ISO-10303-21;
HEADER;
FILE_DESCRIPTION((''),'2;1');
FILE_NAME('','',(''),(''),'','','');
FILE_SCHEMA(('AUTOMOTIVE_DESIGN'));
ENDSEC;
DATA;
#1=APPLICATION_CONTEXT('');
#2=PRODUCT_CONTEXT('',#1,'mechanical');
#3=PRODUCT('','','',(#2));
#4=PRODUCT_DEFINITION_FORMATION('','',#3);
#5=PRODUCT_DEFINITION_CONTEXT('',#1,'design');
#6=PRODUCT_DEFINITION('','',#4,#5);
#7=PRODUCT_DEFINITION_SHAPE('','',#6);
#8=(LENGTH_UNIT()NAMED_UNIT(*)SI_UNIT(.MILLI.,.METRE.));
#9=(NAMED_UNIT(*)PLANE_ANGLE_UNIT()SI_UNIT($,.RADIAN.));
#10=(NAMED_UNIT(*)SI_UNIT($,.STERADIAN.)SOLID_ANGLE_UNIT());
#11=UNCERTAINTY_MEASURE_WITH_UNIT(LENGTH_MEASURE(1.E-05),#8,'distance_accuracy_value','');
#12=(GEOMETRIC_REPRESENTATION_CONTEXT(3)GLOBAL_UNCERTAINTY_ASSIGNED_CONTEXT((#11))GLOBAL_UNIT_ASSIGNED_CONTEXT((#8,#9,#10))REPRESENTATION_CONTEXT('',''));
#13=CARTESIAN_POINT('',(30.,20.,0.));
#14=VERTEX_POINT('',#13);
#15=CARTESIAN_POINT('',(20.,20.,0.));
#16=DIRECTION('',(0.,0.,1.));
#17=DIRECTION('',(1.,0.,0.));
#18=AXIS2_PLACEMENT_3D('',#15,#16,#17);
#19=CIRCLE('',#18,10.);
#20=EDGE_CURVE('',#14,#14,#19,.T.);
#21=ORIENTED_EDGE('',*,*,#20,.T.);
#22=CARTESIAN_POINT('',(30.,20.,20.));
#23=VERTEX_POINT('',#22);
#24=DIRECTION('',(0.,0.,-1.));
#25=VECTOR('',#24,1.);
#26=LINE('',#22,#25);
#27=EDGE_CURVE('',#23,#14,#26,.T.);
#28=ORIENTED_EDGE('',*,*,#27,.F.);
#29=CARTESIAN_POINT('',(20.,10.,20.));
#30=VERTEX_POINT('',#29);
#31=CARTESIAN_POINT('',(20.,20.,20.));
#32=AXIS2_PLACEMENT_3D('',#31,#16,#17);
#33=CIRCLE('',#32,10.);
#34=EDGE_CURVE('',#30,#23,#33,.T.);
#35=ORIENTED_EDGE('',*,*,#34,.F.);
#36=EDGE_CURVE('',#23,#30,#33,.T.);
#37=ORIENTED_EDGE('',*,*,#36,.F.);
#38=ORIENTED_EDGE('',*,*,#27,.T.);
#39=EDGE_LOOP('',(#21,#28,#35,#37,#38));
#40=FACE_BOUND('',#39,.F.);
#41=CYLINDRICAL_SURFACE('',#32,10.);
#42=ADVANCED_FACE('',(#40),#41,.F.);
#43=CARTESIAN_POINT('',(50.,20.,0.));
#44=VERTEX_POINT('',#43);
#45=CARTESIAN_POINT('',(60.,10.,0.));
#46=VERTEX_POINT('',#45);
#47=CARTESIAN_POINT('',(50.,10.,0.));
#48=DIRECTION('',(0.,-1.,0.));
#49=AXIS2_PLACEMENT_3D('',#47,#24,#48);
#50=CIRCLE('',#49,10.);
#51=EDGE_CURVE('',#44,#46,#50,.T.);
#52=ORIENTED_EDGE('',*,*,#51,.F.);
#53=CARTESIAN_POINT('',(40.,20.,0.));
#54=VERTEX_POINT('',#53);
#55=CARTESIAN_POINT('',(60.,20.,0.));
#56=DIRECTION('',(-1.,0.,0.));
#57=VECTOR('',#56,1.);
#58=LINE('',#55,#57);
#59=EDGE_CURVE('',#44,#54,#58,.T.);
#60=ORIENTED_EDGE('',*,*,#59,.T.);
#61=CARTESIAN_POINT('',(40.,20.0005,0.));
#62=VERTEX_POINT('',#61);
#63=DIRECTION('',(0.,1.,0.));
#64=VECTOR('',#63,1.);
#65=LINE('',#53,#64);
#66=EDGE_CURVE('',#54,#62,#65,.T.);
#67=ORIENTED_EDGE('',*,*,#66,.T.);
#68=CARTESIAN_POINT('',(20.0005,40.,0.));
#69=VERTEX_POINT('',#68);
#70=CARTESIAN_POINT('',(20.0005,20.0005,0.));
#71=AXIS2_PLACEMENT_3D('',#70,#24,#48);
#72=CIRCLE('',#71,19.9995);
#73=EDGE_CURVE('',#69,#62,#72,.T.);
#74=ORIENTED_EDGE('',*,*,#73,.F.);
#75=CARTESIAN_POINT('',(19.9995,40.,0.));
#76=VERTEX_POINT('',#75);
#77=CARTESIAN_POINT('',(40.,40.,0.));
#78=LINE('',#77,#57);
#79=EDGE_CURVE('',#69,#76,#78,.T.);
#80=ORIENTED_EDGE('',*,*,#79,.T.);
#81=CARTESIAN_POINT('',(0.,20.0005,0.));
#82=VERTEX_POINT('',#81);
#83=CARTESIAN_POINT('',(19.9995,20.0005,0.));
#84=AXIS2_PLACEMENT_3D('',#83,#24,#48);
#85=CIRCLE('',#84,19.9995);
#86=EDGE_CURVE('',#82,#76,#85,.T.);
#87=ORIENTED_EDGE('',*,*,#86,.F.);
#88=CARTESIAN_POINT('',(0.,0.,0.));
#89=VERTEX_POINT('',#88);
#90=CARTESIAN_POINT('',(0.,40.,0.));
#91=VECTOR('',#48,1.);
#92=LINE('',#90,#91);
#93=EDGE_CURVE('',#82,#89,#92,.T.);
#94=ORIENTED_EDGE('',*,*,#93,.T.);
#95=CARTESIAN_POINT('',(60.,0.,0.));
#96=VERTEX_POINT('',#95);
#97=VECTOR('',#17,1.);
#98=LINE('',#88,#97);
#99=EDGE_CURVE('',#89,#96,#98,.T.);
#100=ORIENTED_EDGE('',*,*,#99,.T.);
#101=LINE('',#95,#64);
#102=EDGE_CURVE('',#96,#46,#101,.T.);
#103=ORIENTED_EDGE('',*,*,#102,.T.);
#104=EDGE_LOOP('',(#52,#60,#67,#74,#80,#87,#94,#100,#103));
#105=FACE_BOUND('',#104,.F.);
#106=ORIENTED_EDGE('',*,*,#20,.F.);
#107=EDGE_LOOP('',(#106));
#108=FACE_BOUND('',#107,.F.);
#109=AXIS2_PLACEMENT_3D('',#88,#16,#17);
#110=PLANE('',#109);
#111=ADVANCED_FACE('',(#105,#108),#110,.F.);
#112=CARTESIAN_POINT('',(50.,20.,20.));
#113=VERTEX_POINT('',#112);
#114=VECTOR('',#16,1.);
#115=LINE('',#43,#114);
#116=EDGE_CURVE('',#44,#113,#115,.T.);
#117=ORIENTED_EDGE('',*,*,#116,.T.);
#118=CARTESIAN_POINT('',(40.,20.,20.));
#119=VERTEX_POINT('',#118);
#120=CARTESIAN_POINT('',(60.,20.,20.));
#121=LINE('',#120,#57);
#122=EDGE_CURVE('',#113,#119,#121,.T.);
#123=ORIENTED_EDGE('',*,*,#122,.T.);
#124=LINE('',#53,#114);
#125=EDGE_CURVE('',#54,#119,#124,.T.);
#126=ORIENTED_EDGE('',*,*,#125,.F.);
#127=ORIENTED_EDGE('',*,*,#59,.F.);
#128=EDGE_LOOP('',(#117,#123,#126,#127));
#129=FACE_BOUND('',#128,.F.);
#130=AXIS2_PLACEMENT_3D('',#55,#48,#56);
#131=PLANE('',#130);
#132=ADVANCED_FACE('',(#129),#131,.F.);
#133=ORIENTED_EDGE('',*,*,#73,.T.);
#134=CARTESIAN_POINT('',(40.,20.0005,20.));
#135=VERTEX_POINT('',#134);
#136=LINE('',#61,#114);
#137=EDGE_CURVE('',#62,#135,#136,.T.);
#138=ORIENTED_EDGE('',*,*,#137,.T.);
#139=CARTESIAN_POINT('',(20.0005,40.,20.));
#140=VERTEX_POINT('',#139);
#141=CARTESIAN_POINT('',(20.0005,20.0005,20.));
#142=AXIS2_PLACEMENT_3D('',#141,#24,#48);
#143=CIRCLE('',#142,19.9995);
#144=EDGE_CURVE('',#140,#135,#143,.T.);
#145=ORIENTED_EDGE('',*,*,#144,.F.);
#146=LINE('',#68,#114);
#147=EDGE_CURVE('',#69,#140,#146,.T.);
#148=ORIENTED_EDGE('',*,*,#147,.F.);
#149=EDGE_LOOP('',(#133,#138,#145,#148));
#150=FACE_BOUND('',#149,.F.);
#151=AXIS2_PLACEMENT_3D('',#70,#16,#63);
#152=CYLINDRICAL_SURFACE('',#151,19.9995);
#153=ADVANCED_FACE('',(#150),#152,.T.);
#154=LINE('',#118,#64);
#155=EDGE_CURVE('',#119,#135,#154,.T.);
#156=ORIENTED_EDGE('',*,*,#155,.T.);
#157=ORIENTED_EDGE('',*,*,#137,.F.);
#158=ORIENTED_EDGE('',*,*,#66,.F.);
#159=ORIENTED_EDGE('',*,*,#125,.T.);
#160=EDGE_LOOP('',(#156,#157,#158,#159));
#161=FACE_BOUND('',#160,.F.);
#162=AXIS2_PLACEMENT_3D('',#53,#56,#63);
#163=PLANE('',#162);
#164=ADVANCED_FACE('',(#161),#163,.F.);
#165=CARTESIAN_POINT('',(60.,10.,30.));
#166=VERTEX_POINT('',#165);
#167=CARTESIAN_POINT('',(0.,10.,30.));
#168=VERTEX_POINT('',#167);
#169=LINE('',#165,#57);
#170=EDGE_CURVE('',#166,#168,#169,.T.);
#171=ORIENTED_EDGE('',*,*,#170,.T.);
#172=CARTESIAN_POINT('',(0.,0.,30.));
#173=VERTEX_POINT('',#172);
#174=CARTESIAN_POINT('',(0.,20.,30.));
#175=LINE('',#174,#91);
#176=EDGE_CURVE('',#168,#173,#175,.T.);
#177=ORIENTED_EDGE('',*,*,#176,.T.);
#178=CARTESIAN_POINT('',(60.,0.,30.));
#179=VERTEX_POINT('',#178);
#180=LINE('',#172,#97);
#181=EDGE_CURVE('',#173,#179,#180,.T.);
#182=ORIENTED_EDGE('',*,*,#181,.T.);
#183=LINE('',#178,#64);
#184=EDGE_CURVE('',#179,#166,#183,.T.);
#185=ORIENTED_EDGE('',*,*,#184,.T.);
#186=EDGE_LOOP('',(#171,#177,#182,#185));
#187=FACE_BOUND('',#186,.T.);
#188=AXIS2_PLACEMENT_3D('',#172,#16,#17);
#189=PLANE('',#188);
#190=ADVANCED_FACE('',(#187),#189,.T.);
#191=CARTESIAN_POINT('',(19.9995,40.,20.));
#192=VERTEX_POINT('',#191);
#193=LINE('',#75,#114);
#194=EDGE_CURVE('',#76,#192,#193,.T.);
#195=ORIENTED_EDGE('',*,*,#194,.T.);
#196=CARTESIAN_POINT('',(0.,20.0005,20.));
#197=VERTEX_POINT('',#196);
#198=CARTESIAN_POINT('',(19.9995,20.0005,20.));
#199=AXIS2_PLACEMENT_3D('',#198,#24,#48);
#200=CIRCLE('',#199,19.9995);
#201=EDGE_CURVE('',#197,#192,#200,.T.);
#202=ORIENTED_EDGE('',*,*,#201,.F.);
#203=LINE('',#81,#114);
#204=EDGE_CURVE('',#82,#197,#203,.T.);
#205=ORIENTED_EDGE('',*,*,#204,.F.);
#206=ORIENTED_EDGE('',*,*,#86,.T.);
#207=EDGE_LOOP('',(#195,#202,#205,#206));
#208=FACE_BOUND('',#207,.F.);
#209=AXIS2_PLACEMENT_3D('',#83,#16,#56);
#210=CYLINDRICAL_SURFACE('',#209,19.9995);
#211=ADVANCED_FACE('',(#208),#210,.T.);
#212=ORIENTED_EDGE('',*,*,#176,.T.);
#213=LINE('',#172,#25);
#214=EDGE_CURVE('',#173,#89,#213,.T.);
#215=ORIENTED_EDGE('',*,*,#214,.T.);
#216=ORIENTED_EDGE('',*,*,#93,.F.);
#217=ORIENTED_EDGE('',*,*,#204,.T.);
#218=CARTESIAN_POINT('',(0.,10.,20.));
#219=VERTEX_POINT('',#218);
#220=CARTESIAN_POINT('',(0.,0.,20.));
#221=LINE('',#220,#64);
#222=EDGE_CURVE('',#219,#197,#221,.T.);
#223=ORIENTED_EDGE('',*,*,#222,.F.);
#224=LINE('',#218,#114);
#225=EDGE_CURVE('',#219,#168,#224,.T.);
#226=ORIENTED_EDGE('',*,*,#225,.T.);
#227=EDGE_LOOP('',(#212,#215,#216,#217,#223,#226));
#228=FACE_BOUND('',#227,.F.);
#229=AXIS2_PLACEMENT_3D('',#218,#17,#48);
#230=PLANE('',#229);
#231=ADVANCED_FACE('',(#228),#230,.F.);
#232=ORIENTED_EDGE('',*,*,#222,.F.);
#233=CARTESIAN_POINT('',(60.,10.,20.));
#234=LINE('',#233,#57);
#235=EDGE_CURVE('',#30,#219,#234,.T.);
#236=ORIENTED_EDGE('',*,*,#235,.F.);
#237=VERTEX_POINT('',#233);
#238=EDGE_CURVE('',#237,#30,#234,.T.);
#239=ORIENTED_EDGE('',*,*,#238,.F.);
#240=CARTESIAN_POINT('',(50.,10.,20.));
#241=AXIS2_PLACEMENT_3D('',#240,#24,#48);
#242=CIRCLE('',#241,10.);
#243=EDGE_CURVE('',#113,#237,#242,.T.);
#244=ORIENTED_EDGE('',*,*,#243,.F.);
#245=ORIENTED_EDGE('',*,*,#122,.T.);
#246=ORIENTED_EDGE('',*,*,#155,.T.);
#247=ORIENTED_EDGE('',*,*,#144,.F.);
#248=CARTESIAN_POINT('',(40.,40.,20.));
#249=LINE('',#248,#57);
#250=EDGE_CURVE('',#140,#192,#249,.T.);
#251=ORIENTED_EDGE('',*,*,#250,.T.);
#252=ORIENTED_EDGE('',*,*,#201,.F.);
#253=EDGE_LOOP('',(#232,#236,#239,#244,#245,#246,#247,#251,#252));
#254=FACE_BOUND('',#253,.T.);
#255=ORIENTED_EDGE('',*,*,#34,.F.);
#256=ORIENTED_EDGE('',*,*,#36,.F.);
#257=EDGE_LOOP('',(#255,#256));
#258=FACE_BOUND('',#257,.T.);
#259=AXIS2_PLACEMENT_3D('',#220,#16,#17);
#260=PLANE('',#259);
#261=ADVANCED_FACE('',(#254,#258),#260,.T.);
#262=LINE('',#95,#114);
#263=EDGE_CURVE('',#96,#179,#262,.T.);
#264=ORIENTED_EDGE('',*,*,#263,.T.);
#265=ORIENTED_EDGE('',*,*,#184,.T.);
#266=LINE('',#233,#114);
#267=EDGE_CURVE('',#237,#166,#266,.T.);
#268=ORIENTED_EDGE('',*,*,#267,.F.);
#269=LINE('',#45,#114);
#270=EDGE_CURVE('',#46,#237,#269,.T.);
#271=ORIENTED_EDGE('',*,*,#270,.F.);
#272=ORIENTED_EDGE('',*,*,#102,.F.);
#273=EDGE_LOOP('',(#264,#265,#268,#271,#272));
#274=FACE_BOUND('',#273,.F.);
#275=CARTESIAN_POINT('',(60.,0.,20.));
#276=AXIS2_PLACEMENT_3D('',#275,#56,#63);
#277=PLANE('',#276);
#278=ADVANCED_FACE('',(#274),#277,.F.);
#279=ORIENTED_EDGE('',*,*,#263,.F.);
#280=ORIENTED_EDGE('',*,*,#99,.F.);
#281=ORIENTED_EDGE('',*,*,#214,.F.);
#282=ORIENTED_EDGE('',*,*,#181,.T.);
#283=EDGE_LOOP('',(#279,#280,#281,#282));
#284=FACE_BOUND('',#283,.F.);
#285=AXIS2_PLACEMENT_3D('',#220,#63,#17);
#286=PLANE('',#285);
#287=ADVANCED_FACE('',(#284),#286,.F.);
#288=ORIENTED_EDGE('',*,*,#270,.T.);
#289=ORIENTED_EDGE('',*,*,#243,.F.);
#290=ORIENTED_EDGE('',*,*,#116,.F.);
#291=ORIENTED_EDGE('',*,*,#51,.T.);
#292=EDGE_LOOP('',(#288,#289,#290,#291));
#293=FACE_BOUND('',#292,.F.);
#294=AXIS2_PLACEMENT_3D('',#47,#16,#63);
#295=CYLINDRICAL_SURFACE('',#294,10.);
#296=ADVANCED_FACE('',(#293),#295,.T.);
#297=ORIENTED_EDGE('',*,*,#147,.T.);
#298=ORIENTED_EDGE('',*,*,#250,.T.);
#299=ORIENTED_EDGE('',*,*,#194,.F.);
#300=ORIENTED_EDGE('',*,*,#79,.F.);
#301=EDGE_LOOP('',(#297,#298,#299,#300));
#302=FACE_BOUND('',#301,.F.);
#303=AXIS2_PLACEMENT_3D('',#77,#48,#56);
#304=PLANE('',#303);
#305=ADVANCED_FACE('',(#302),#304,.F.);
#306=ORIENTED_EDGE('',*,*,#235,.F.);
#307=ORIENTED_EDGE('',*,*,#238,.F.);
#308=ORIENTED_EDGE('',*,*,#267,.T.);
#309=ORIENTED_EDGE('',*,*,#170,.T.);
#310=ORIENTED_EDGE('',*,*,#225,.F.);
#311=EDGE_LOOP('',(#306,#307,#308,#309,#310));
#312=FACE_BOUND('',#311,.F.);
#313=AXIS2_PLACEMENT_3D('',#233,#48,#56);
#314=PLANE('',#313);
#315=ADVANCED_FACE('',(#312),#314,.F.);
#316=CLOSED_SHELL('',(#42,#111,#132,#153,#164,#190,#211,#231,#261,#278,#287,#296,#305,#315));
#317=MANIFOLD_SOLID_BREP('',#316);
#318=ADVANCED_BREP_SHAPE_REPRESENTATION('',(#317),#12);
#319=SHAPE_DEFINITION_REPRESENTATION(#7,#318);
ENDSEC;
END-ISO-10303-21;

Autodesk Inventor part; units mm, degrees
ref_plane "YZ Plane" through (0, 0, 0) normal (1, 0, 0) x (0, 1, 0)
ref_plane "XZ Plane" through (0, 0, 0) normal (0, 1, 0) x (-1, 0, 0)
ref_plane "XY Plane" through (0, 0, 0) normal (0, 0, 1) x (1, 0, 0)
sketch "草圖1" plane through (0, 0, 0) normal (0, 0, 1) x (1, 0, 0)
  line L0 (0, 0) -> (60, 0)
  line L1 (60, 0) -> (60, 20)
  line L2 (60, 20) -> (0, 20)
  line L3 (0, 20) -> (0, 0)
  line L4 (0, 20) -> (40, 20)
  line L5 (40, 20) -> (40, 40)
  line L6 (40, 40) -> (0, 40)
  line L7 (0, 40) -> (0, 20)
  dimension "d0" = 20
  dimension "d1" = 20
  dimension "d2" = 60
  dimension "d3" = 40
extrude "擠出1" add sketch "草圖1" along normal blind 20
fillet "圓角1" radius 20 2 edges at (40, 40, 10) (0, 40, 10)
fillet "圓角2" radius 10 1 edges at (60, 20, 10)
sketch "草圖2" plane through (0, 0, 20) normal (0, 0, 1) x (1, 0, 0)
  line L0 (60, 0) -> (60, 10) projected
  line L1 (0, 20) -> (0, 0) projected
  line L2 (60, 10) -> (0, 10)
  line L3 (0, 10) -> (0, 0)
  line L4 (0, 0) -> (60, 0)
  line L5 (60, 0) -> (60, 10)
extrude "擠出2" add sketch "草圖2" along normal blind 10
sketch "草圖3" plane through (0, 0, 20) normal (0, 0, 1) x (1, 0, 0)
  arc A0 (40, 20) -> (0, 20) centre (20, 20) ccw projected
  circle A1 centre (20, 20) radius 10
  line L0 (0, 10) -> (60, 10) projected
  point P0 (0, 0)
extrude "擠出3" cut sketch "草圖3" against normal through all
properties part number "4"
